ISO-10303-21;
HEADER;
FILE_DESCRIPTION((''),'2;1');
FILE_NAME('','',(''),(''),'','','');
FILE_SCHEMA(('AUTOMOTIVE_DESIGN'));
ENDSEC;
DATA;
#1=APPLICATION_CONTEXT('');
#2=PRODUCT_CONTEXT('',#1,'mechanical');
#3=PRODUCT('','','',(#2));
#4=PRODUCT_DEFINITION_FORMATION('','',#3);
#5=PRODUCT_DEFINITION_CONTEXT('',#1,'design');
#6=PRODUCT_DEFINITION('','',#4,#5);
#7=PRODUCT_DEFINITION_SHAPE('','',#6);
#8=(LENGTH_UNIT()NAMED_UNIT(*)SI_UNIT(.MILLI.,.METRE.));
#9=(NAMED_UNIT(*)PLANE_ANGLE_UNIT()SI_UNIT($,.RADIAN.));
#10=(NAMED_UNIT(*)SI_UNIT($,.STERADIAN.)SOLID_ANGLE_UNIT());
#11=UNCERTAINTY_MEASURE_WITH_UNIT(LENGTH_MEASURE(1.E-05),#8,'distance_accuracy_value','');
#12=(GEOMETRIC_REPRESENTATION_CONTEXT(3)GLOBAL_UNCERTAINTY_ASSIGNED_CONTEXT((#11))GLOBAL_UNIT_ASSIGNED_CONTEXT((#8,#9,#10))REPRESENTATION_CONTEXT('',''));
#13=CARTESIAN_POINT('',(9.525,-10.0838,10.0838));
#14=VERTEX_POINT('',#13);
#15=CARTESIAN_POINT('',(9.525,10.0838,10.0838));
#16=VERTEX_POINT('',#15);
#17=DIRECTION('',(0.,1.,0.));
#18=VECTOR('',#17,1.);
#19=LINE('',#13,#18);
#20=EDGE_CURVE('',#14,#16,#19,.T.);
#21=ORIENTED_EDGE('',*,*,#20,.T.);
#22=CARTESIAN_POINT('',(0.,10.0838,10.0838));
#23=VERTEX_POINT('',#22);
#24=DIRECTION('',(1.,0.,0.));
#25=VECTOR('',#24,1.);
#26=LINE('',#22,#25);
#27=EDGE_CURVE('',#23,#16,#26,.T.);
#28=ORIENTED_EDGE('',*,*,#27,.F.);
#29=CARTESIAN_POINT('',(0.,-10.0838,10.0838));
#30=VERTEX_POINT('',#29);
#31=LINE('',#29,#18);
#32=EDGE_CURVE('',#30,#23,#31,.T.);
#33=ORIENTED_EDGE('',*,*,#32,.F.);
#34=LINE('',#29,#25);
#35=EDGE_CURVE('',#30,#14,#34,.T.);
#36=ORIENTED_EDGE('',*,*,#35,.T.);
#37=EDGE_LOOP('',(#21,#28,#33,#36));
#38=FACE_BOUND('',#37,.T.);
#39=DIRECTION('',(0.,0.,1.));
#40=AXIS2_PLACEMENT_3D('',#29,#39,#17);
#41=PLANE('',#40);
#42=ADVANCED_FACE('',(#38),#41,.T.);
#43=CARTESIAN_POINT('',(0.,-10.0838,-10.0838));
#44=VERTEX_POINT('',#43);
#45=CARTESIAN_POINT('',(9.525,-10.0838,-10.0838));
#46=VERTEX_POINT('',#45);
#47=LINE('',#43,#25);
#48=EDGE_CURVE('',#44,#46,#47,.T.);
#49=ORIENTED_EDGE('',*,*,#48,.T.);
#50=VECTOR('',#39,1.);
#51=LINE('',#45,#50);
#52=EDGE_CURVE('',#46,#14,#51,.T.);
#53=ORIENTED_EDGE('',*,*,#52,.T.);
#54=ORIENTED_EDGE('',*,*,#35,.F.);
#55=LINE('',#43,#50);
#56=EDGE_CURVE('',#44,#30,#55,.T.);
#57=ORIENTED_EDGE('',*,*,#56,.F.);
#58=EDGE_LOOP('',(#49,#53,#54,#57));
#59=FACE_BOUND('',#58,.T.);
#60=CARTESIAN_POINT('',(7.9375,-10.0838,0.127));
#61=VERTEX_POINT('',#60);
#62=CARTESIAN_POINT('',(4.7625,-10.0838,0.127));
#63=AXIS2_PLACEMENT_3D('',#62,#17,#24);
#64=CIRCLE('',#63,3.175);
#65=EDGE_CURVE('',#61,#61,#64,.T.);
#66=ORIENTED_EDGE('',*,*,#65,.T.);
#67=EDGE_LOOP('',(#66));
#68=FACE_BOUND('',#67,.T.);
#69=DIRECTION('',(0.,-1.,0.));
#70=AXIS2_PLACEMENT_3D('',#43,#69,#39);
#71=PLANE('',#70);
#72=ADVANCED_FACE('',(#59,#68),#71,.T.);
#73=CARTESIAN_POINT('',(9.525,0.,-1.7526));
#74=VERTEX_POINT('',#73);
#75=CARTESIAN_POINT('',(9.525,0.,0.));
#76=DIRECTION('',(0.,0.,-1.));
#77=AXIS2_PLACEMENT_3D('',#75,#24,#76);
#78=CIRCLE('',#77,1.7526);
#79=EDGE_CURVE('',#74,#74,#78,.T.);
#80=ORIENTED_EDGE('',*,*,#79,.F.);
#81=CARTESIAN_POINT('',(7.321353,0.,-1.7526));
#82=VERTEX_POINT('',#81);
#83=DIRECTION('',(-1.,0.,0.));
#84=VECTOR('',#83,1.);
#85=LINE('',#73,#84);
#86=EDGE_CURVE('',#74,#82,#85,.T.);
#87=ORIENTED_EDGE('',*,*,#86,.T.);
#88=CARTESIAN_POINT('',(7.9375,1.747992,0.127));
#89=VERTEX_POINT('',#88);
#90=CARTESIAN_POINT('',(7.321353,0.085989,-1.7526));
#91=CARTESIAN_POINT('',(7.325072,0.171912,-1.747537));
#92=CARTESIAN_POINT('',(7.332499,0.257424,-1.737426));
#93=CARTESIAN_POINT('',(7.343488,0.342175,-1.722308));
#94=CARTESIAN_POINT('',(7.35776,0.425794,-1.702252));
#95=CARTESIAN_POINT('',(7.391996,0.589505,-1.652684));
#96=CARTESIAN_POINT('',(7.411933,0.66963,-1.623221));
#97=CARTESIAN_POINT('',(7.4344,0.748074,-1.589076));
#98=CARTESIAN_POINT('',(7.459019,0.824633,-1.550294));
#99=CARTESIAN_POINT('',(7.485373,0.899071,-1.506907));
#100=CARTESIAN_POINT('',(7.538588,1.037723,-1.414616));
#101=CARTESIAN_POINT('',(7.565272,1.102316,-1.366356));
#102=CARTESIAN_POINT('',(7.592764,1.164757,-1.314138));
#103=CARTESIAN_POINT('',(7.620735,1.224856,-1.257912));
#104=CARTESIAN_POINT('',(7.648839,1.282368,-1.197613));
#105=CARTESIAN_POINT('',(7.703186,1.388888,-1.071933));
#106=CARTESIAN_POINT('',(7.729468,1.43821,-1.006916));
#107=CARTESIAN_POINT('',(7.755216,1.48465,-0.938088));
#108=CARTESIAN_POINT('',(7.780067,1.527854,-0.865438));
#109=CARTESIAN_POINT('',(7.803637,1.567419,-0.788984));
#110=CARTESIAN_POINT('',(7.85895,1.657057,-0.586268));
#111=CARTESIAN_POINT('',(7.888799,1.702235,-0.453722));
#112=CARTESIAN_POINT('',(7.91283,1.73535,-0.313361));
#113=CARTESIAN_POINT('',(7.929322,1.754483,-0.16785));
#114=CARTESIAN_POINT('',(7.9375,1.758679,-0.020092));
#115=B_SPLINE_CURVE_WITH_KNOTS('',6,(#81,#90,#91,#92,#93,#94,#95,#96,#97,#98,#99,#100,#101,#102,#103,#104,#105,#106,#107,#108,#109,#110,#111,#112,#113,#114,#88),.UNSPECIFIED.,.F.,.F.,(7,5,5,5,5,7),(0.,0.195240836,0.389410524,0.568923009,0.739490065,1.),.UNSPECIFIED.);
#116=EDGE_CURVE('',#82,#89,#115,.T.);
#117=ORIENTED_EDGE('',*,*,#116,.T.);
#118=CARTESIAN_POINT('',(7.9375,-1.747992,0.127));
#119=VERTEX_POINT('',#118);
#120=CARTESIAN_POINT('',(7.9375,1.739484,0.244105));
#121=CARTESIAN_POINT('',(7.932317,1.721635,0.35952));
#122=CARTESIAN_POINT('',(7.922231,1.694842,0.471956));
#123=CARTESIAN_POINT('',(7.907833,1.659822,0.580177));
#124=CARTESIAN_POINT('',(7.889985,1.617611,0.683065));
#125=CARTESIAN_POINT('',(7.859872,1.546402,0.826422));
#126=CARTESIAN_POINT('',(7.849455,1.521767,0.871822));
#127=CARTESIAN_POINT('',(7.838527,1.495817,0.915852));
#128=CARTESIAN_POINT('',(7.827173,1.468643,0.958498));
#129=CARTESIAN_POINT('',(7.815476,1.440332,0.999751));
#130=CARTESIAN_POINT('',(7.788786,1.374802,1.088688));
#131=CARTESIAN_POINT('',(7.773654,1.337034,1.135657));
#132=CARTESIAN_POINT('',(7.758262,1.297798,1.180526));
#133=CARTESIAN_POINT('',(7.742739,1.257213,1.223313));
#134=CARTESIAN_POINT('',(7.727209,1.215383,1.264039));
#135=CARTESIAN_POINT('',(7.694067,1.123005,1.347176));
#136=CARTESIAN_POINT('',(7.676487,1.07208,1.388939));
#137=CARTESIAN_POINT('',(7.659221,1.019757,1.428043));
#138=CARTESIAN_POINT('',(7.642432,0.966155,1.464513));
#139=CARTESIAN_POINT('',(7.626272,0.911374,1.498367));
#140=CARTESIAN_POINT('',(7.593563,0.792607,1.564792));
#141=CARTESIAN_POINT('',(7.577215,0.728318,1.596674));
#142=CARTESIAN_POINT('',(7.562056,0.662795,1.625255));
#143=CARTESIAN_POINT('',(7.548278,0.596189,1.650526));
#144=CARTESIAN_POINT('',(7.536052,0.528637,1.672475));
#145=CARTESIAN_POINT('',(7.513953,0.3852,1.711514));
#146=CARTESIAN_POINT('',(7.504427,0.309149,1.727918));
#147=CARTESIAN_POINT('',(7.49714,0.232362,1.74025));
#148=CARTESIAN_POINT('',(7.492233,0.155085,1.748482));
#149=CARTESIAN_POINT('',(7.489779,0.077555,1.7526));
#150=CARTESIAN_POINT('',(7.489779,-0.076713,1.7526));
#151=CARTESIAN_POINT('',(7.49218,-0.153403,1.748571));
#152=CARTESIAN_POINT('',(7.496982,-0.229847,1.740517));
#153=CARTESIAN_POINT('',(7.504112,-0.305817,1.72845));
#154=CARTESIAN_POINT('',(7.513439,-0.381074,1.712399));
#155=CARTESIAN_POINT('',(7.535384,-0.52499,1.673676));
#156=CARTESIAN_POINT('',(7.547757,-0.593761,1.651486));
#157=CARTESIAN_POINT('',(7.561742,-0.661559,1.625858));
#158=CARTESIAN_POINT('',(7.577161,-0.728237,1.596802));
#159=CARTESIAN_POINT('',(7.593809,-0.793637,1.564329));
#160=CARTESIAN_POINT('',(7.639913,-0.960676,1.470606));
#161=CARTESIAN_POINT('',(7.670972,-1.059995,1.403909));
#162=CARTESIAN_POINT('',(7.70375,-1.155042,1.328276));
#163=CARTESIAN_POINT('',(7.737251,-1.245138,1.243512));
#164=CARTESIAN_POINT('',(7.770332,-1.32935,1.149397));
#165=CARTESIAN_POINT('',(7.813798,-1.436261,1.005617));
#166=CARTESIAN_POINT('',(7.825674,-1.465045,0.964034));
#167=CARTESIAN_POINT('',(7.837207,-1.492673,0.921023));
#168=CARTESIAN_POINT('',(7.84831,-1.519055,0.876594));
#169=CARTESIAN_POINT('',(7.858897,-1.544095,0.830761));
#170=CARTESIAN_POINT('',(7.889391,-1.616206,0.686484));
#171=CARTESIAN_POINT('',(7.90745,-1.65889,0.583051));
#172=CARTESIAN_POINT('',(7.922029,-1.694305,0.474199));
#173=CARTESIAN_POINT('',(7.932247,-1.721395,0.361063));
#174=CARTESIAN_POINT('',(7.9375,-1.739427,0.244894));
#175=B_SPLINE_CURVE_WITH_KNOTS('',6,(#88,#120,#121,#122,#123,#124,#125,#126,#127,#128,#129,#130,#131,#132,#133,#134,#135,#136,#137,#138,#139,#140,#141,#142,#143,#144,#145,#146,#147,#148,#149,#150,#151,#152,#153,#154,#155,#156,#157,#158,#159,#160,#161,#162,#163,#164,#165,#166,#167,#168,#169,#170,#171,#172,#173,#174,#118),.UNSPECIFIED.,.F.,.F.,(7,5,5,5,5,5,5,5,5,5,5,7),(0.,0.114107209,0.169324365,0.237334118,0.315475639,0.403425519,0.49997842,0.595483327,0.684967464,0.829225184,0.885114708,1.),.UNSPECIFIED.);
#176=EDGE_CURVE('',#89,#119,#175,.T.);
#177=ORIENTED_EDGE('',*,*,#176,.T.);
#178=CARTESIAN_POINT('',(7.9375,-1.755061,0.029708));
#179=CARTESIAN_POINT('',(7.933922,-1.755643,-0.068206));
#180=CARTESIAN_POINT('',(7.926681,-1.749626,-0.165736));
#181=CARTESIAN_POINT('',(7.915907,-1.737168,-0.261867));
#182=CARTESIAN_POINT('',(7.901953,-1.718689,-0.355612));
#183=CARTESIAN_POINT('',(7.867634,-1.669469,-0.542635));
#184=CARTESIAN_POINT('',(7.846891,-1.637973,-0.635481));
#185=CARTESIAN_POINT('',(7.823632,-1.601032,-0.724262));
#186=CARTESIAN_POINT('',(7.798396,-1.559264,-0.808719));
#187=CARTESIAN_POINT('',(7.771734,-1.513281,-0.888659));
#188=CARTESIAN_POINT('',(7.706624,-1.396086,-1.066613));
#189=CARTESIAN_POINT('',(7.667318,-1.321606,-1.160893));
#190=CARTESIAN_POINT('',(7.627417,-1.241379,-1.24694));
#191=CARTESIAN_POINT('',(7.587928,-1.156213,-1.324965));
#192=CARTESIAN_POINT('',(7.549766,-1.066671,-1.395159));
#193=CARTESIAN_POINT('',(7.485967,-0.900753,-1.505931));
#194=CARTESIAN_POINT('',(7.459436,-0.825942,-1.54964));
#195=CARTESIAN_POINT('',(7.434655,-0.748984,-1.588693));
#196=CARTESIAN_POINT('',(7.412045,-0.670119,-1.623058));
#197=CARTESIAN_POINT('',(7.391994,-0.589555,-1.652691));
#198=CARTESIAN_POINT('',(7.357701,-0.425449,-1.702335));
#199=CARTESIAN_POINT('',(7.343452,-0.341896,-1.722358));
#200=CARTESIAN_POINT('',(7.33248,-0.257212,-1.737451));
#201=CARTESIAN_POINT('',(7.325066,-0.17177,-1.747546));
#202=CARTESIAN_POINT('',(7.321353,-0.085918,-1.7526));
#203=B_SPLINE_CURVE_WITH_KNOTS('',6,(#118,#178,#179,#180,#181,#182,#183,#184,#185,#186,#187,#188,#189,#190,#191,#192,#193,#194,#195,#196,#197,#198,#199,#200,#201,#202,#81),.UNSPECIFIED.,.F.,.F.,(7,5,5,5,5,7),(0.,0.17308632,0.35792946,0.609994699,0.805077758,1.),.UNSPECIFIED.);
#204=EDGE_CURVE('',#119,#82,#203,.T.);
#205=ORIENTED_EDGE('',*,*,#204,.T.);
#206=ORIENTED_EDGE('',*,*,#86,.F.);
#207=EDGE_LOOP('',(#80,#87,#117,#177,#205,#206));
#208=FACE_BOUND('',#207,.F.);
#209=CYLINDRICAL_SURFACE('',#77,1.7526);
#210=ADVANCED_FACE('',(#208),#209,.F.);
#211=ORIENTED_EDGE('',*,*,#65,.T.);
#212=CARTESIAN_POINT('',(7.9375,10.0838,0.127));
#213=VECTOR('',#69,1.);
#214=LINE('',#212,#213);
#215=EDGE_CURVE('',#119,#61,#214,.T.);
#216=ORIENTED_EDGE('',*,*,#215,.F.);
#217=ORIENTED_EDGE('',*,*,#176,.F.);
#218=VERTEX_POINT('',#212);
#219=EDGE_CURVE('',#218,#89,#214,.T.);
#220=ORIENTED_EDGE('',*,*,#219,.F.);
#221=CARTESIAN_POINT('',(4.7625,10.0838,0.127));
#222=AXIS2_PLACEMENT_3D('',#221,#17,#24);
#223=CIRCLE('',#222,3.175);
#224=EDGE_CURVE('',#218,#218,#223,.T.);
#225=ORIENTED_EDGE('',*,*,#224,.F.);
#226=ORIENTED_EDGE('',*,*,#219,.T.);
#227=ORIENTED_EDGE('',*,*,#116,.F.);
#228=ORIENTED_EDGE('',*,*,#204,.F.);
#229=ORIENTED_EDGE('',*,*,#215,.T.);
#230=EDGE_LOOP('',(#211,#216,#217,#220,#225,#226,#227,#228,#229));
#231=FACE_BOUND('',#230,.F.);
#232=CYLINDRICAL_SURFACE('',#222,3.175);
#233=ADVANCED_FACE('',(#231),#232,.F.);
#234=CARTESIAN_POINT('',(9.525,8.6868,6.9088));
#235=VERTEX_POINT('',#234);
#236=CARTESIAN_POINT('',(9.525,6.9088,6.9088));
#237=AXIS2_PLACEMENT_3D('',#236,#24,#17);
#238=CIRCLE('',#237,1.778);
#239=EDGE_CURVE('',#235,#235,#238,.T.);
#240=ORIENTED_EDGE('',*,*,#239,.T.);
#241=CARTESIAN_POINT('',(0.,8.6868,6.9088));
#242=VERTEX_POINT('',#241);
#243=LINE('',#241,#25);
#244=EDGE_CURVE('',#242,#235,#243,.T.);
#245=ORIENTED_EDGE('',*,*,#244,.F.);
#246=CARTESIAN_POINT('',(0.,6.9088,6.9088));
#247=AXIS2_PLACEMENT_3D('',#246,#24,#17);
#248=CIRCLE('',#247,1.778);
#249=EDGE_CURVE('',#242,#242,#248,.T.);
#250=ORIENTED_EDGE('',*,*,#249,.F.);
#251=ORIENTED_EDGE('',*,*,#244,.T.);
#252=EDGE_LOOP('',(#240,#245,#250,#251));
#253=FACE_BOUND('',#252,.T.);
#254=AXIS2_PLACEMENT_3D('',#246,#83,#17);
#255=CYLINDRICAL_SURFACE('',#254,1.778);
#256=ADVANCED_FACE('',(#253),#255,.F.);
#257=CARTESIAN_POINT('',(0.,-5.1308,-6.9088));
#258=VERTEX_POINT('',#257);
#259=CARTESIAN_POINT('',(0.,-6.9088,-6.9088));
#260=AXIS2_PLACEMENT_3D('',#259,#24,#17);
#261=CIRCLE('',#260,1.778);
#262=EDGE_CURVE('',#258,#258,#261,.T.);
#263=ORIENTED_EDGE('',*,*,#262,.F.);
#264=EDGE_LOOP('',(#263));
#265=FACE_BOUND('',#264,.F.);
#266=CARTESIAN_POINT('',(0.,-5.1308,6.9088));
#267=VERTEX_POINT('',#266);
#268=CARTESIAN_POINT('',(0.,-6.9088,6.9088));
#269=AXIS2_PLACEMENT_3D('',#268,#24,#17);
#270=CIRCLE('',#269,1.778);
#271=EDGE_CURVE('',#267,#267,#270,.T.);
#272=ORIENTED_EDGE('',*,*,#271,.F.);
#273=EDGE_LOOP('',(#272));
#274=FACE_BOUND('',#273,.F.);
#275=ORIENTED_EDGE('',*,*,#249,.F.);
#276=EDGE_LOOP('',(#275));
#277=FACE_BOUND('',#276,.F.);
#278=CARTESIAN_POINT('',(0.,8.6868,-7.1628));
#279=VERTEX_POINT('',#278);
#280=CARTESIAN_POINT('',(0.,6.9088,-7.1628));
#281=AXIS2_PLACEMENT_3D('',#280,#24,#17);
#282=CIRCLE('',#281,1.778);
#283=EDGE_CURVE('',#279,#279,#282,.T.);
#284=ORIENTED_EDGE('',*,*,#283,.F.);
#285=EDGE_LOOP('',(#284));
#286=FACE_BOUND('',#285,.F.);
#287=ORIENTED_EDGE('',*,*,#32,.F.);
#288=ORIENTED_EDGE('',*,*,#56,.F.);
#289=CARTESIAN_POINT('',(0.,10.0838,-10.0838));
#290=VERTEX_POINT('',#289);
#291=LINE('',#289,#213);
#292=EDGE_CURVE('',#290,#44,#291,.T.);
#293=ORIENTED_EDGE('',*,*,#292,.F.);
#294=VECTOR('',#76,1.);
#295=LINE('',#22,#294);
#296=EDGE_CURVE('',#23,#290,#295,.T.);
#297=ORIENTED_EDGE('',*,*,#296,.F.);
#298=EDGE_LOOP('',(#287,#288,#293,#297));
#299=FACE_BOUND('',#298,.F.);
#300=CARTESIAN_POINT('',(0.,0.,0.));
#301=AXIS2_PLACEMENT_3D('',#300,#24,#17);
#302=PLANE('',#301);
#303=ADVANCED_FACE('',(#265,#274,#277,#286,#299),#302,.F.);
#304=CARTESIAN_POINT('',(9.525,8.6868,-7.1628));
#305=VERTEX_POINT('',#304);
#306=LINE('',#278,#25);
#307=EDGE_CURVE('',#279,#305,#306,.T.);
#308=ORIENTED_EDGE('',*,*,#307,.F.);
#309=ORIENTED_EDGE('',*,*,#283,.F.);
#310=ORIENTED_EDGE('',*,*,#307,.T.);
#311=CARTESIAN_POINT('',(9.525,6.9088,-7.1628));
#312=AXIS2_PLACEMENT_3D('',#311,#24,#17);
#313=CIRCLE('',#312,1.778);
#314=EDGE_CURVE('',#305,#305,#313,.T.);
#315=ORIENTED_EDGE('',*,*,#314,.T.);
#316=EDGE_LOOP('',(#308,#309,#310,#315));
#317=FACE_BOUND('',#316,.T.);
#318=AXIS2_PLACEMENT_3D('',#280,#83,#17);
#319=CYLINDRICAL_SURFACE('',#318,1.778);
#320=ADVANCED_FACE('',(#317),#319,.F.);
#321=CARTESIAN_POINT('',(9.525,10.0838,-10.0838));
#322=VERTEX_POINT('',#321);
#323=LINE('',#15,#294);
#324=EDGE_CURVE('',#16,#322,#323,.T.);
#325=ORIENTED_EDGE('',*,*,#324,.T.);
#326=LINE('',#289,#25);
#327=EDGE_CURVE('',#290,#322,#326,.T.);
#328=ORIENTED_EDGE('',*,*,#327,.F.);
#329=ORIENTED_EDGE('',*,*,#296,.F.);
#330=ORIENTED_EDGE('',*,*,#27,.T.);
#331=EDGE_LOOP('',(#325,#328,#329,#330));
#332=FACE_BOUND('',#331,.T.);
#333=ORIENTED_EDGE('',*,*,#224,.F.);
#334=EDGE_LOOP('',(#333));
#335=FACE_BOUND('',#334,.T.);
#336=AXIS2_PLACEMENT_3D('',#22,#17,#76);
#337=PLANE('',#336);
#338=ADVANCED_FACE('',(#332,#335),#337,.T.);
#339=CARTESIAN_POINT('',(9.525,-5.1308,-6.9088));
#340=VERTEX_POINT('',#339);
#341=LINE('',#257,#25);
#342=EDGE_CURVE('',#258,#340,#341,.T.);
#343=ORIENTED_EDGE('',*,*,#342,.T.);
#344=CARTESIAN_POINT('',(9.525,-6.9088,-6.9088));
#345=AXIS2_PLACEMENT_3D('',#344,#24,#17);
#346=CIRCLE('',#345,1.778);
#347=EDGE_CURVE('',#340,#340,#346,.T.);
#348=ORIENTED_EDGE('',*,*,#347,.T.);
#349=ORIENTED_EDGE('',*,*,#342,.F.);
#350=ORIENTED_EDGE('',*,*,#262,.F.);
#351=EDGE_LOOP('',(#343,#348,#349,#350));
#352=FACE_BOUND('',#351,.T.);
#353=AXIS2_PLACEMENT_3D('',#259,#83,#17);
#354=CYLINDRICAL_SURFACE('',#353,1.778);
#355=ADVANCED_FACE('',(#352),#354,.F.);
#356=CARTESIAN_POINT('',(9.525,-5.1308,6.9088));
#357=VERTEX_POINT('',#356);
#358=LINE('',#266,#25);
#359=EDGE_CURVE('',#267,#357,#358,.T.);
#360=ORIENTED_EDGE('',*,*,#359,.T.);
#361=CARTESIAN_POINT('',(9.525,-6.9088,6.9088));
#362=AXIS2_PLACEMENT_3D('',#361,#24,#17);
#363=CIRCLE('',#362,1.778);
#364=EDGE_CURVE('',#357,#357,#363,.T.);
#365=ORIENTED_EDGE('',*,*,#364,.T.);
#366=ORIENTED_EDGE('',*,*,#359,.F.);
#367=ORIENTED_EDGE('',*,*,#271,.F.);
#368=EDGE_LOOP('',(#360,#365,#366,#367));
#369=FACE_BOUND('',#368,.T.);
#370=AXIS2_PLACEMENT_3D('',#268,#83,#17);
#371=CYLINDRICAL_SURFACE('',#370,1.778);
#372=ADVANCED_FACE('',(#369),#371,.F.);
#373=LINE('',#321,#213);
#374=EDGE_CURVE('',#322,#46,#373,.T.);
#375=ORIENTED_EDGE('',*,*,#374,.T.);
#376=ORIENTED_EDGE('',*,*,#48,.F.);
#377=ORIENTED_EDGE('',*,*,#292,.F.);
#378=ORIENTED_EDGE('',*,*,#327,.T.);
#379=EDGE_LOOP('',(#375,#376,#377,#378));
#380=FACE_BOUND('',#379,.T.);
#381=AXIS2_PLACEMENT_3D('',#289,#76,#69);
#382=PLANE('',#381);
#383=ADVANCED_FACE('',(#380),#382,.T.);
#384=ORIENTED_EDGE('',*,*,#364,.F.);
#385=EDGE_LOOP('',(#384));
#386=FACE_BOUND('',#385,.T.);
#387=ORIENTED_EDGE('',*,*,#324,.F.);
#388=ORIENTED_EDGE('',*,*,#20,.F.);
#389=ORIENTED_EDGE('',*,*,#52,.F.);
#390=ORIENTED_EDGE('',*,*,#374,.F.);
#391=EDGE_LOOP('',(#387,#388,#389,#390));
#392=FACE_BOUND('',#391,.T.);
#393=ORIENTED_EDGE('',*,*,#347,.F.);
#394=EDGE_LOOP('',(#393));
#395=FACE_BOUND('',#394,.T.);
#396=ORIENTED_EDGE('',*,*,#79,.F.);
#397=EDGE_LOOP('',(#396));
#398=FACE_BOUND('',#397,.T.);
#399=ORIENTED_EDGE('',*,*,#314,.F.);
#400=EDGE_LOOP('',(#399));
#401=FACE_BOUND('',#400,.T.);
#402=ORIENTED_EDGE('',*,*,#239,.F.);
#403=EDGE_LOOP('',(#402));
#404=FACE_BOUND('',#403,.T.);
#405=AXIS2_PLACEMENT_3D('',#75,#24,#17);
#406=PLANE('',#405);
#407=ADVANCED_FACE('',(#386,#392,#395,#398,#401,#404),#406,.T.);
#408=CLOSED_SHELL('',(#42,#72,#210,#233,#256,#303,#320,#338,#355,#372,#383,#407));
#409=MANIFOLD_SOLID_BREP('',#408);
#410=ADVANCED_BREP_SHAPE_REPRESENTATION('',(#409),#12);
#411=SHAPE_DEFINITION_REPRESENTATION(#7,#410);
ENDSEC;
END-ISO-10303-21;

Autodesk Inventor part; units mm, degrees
ref_plane "YZ Plane" through (0, 0, 0) normal (1, 0, 0) x (0, 1, 0)
ref_plane "XZ Plane" through (0, 0, 0) normal (0, 1, 0) x (-1, 0, 0)
ref_plane "XY Plane" through (0, 0, 0) normal (0, 0, 1) x (1, 0, 0)
sketch "Sketch1" plane through (0, 0, 0) normal (1, 0, 0) x (0, 1, 0)
  circle A0 centre (-6.9088, 6.9088) radius 1.778
  circle A1 centre (6.9088, 6.9088) radius 1.778
  circle A2 centre (-6.9088, -6.9088) radius 1.778
  circle A3 centre (6.9088, -7.1628) radius 1.778
  line L0 (-10.0838, 10.0838) -> (10.0838, 10.0838)
  line L1 (10.0838, 10.0838) -> (10.0838, -10.0838)
  line L2 (10.0838, -10.0838) -> (-10.0838, -10.0838)
  line L3 (-10.0838, -10.0838) -> (-10.0838, 10.0838)
  point P0 (0, 0)
  dimension "d0" = 6.9088
  dimension "d1" = 6.9088
  dimension "d2" = 13.8176
  dimension "d3" = 13.8176
  dimension "d4" = 3.556
  dimension "d5" = 3.556
  dimension "d6" = 3.556
  dimension "d7" = 3.556
  dimension "d8" = 3.175
  dimension "d9" = 3.175
  dimension "d10" = 3.175
  dimension "d11" = 3.175
extrude "Extrusion1" add sketch "Sketch1" along normal blind 9.525
sketch "Sketch2" plane through (0, 10.0838, 10.0838) normal (0, 1, 0) x (1, 0, 0)
  circle A0 centre (4.7625, 9.9568) radius 3.175
  line L0 (0, 0) -> (0, 20.1676) projected
  line L1 (0, 20.1676) -> (9.525, 20.1676) projected
  point P0 (0, 10.0838)
  dimension "d14" = 6.35
  dimension "d17" = 4.7625
  dimension "d18" = 10.2108
extrude "Extrusion2" cut sketch "Sketch2" against normal blind 38.1
sketch "Sketch3" plane through (9.525, 0, 0) normal (1, 0, 0) x (0, 0, -1)
  circle A0 centre (0, 0) radius 1.7526
  dimension "d19" = 3.5052
extrude "Extrusion3" cut sketch "Sketch3" against normal blind 4.7625
properties part number "Tube Bracket"
